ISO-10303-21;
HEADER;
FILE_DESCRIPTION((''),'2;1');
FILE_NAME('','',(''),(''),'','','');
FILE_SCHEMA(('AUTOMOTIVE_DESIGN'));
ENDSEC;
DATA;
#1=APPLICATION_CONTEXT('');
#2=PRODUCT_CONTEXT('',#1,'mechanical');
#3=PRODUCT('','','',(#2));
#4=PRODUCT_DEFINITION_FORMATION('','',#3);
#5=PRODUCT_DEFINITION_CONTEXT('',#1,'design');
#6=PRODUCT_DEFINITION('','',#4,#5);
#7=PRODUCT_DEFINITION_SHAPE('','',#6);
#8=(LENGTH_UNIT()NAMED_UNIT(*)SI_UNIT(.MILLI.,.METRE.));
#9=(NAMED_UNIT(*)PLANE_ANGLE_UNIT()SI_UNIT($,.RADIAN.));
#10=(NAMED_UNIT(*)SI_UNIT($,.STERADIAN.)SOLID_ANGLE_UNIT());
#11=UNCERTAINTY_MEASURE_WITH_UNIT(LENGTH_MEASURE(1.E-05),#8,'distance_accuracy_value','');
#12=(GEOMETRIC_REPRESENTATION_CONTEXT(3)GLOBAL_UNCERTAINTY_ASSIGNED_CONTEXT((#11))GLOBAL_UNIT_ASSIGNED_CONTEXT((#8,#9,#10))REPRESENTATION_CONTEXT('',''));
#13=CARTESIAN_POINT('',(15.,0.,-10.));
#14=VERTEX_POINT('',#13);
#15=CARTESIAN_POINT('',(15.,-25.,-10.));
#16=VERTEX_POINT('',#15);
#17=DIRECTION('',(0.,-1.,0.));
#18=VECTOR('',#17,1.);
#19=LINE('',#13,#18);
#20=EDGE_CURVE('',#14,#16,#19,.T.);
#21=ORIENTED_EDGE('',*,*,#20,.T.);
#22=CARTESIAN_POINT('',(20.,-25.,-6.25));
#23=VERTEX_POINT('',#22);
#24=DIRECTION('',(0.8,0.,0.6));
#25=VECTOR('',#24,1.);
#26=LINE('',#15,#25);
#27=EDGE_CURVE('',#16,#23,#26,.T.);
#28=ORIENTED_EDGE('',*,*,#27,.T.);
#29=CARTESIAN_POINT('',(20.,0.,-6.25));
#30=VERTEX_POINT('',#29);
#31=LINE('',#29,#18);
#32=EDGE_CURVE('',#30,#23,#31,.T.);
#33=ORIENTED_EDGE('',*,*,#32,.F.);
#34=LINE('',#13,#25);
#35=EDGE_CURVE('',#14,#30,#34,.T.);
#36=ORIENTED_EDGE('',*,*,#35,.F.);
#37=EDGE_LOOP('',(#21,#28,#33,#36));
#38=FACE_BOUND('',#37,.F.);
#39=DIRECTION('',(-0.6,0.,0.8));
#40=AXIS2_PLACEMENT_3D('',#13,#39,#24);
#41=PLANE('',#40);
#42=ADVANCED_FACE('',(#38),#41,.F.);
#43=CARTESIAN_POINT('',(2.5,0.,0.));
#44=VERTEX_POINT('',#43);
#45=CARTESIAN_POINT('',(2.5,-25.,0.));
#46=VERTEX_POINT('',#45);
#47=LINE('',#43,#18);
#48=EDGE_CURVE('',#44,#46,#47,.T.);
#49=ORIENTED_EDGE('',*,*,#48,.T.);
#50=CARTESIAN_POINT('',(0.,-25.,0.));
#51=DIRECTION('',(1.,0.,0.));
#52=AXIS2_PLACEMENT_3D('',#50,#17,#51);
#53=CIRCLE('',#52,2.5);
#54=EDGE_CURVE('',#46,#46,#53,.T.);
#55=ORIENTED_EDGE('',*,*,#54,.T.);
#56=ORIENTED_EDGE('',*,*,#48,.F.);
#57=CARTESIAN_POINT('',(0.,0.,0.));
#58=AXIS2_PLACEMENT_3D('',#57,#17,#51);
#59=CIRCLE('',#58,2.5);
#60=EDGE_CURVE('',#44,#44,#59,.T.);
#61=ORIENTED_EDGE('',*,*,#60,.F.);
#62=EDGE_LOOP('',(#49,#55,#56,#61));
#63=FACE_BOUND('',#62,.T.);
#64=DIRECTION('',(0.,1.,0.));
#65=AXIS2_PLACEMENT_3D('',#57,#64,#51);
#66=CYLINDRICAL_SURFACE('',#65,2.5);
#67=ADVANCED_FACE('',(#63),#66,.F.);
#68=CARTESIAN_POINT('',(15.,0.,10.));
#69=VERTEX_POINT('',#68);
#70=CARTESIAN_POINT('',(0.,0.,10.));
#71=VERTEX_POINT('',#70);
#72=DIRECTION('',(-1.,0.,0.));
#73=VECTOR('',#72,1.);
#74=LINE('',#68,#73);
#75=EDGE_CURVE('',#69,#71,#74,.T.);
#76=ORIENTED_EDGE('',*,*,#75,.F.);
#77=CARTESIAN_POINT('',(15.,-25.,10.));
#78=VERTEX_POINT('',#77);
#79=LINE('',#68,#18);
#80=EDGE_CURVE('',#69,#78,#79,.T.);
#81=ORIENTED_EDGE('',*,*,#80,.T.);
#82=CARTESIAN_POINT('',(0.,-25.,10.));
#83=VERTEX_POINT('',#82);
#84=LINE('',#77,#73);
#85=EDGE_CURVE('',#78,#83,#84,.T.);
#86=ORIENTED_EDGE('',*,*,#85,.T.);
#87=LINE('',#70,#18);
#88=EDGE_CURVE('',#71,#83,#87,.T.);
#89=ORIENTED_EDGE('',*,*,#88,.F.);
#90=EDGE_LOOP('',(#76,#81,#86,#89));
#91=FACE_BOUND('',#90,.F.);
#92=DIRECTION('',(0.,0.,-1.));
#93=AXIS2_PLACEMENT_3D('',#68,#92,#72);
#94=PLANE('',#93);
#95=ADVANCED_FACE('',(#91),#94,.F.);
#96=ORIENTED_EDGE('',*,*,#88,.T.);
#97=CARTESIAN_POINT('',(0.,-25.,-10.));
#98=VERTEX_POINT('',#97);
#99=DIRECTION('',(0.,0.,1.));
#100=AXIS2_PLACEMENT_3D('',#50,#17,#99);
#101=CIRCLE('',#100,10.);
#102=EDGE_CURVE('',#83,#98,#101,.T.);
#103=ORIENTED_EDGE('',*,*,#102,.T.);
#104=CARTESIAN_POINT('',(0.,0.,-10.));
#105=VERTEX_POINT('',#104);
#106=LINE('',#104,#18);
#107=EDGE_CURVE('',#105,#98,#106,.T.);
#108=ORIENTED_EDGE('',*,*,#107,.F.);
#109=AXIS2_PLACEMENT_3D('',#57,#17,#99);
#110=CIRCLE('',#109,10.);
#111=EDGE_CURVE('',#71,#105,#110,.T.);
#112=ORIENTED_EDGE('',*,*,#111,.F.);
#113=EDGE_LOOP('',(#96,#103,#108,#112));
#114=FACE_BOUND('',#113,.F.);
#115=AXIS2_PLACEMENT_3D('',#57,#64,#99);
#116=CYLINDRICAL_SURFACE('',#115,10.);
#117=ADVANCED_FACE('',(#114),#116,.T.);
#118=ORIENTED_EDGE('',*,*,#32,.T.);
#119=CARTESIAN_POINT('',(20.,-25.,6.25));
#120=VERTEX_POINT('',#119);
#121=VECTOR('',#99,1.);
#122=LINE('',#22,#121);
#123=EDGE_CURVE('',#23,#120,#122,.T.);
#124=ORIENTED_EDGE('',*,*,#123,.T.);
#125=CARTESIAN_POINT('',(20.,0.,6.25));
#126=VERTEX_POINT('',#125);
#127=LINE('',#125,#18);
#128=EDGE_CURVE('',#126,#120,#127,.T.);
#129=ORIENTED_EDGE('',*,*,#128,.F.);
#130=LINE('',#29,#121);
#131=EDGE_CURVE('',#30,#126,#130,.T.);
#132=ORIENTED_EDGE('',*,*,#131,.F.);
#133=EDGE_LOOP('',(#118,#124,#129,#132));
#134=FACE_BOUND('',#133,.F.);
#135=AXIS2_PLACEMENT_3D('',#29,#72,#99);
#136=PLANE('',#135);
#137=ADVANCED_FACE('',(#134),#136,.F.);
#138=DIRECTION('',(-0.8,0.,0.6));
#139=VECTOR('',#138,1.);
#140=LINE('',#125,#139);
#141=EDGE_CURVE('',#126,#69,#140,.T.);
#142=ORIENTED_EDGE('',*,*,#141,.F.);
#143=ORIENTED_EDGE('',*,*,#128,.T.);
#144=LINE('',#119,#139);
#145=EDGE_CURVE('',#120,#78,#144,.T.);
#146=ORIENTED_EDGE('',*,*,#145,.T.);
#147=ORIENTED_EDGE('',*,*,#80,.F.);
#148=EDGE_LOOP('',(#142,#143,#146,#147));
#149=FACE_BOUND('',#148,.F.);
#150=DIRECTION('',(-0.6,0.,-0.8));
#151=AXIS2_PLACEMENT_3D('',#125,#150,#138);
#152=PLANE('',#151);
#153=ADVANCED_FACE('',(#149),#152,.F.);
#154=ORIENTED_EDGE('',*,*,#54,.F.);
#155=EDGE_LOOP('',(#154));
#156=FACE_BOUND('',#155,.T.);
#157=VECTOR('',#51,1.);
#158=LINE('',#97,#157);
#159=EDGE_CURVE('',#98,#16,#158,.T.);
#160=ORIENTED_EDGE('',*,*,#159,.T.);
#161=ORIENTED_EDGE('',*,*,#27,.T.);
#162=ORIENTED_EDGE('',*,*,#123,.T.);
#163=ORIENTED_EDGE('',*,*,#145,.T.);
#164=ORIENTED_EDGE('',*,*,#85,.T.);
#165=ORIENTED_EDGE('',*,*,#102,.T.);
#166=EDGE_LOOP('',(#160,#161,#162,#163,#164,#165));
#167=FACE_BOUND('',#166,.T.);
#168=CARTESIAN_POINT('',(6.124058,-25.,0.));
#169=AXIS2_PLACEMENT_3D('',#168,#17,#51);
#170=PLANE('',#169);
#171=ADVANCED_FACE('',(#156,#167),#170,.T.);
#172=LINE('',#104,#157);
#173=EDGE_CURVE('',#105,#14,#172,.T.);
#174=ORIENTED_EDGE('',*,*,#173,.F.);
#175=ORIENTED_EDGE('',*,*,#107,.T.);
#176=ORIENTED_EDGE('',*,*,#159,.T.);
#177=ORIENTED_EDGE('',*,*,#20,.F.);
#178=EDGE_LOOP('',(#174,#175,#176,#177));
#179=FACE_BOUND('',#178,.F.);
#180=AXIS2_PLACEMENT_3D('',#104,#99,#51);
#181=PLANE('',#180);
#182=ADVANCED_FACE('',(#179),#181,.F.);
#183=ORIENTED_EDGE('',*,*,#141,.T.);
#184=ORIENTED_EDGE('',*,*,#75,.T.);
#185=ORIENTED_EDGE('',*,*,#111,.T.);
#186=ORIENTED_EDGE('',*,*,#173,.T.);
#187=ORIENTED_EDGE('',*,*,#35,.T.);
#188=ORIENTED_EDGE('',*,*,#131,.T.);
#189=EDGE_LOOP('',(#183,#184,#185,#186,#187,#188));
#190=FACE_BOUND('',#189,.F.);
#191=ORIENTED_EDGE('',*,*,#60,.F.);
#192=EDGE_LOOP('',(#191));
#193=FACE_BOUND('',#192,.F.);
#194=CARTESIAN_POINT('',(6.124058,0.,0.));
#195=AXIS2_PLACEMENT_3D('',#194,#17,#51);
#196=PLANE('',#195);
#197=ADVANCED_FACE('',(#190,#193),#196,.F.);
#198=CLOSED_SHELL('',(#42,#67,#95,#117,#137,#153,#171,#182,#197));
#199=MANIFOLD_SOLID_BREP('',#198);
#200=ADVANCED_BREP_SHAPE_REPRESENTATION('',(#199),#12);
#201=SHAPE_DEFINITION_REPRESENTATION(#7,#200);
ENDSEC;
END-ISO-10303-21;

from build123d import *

# Parameters (mm, degrees)
F0_R     = 2.5
F1_DEPTH = 25


with BuildPart() as f1:
    # F0 (on Front) → F1 (new body)
    with BuildSketch(Plane.XZ):
        with BuildLine():
            Line((15, 10), (0, 10))
            ThreePointArc((0, 10), (-10, 0), (0, -10))
            Line((0, -10), (15, -10))
            Line((15, -10), (20, -6.25))
            Line((20, -6.25), (20, 6.25))
            Line((20, 6.25), (15, 10))
        make_face()
        Circle(F0_R, mode=Mode.SUBTRACT)
    extrude(amount=F1_DEPTH)


solid = f1.part
